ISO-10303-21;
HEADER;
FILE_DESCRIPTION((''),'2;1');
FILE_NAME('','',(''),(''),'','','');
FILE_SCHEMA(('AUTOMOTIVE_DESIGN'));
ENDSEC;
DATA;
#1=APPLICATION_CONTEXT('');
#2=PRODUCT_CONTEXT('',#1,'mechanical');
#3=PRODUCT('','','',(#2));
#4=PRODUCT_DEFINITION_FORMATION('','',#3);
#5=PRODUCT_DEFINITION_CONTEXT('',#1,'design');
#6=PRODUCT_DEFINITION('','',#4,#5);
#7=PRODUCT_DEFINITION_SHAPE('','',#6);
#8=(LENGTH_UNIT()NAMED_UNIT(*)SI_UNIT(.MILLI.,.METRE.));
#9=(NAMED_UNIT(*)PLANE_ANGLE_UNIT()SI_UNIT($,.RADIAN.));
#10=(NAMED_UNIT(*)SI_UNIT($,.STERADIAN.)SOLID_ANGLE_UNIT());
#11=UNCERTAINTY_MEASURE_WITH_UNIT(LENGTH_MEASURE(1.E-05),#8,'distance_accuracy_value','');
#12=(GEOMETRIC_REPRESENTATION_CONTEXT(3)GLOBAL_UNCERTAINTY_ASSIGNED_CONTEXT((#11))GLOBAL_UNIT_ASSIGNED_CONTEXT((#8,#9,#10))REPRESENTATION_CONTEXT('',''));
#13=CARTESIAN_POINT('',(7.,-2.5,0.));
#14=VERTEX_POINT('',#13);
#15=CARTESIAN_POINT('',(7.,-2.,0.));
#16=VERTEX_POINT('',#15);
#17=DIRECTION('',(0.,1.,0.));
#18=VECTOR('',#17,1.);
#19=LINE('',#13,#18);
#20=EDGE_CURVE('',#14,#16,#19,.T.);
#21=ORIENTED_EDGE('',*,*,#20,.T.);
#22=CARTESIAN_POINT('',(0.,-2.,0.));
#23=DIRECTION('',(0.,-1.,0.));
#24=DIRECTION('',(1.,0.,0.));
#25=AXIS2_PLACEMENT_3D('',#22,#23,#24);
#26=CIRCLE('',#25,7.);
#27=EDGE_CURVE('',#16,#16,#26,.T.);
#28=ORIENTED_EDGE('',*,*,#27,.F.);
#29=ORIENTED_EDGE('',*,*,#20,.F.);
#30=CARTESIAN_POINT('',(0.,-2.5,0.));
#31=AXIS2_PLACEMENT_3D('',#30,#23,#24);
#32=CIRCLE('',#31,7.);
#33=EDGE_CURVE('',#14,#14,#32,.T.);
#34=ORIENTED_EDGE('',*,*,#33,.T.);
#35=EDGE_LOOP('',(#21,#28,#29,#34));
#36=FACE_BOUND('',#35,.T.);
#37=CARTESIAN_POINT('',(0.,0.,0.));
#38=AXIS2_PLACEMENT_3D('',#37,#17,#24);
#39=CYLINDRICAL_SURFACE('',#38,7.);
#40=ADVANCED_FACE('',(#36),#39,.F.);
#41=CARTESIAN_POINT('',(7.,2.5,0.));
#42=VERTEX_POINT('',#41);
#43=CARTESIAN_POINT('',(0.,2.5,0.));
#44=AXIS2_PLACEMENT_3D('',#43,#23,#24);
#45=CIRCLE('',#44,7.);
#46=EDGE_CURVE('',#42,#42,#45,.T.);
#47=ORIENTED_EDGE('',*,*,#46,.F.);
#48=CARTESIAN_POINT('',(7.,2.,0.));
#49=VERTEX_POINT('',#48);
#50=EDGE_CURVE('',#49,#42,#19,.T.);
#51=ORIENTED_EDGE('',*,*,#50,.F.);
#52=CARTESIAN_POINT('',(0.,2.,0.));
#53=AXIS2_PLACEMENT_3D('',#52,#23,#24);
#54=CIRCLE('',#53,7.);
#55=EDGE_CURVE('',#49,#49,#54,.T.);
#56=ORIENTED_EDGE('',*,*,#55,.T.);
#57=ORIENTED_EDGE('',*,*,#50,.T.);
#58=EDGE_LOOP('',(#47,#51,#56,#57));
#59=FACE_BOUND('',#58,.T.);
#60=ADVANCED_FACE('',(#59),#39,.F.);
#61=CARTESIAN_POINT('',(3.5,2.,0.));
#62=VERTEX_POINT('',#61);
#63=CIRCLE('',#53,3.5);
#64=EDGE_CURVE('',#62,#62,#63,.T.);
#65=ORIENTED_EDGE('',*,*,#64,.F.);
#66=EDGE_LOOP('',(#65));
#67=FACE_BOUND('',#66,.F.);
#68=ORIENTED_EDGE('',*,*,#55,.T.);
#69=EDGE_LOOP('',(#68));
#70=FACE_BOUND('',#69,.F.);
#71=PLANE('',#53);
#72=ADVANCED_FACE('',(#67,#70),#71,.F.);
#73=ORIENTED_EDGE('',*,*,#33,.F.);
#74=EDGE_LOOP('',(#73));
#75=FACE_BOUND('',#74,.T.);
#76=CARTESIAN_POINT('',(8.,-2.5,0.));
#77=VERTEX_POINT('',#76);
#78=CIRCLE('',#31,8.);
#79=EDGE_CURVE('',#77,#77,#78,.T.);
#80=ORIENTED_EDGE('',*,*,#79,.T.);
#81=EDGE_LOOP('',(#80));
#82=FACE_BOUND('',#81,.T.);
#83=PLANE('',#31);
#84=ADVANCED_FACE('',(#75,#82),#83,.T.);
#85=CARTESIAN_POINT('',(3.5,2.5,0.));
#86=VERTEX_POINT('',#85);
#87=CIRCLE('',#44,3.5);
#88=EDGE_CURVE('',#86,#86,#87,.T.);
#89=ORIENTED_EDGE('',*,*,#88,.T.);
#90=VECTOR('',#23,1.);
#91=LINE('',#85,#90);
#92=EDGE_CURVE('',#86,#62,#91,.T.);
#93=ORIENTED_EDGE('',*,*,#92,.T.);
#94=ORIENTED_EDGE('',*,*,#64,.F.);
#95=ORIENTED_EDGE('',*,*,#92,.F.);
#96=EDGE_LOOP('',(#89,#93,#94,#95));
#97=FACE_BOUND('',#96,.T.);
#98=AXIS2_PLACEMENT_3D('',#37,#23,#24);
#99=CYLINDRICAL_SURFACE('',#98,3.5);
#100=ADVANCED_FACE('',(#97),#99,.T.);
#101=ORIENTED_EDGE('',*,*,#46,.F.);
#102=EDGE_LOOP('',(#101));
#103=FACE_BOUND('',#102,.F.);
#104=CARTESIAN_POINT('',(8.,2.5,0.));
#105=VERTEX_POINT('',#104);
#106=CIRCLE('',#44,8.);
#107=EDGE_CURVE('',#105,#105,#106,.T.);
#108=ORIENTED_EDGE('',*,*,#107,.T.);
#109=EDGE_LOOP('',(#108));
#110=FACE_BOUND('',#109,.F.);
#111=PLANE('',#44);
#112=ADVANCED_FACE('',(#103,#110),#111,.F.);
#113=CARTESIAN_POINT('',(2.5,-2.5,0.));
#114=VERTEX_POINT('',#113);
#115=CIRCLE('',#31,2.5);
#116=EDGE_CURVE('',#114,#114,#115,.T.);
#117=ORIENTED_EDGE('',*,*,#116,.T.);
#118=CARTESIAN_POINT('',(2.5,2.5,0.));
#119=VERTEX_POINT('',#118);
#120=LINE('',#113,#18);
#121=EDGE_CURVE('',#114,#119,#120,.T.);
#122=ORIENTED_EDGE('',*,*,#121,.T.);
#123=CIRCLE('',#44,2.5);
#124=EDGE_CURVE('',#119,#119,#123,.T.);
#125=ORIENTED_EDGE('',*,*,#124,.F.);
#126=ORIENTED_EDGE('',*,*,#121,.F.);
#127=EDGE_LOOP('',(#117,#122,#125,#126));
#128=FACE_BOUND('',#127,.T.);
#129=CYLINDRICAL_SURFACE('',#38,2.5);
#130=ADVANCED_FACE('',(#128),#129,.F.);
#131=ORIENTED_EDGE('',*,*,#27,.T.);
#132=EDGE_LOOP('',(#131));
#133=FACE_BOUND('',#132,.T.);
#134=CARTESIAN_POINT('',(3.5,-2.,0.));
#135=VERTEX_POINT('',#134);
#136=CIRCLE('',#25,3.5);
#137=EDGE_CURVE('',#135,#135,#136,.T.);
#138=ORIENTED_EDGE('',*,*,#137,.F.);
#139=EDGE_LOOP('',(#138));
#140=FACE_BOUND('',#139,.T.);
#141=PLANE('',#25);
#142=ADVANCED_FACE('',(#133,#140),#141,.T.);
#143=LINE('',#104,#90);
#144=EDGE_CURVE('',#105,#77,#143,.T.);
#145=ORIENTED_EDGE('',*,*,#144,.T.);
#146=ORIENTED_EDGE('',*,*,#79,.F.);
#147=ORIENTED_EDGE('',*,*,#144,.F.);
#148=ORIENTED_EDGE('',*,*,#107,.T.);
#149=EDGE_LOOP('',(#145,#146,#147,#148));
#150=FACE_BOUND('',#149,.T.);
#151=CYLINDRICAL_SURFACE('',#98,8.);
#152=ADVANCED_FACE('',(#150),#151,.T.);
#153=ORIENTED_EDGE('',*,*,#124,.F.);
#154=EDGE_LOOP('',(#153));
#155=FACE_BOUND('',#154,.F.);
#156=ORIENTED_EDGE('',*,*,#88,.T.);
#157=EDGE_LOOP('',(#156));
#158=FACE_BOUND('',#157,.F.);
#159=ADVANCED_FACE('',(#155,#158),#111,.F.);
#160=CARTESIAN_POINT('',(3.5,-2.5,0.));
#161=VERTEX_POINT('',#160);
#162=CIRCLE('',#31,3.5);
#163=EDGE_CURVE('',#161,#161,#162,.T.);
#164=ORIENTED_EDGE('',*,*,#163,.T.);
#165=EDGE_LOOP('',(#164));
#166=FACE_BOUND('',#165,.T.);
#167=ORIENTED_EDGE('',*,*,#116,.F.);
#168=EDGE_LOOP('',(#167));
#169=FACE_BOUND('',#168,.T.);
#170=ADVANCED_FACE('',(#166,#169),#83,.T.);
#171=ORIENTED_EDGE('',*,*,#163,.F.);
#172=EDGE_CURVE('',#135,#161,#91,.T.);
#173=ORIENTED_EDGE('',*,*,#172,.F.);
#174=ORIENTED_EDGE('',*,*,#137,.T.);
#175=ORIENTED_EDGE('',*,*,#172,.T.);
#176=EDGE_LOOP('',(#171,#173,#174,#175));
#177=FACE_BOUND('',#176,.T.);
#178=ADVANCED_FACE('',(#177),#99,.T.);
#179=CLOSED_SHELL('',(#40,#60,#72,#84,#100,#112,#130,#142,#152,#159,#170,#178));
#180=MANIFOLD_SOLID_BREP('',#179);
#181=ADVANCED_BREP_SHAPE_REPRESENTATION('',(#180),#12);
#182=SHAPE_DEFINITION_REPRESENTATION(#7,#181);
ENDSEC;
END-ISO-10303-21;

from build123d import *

# Parameters (mm, degrees)
F0_R     = 3.5
F0_R_2   = 2.5
F1_DEPTH = 2.5
F0_R_3   = 8
F0_R_4   = 7
F2_DEPTH = 2


with BuildPart() as f1:
    # F0 (on Front) → F1 (new body, symmetric)
    with BuildSketch(Plane.XZ):
        Circle(F0_R)
        Circle(F0_R_2, mode=Mode.SUBTRACT)
    extrude(amount=F1_DEPTH, both=True)



with BuildPart() as f1b:
    # F0 (on Front) → F1, piece 2 (new body, symmetric)
    with BuildSketch(Plane.XZ):
        Circle(F0_R_3)
        Circle(F0_R_4, mode=Mode.SUBTRACT)
    extrude(amount=F1_DEPTH, both=True)


with BuildPart() as f1_1:
    add(f1.part)

    add(f1b.part)  # F2 merges F1b
    # F0 (on Front) → F2 (join, symmetric)
    with BuildSketch(Plane.XZ):
        Circle(F0_R_4)
        Circle(F0_R, mode=Mode.SUBTRACT)
    extrude(amount=F2_DEPTH, both=True)


solid = f1_1.part
